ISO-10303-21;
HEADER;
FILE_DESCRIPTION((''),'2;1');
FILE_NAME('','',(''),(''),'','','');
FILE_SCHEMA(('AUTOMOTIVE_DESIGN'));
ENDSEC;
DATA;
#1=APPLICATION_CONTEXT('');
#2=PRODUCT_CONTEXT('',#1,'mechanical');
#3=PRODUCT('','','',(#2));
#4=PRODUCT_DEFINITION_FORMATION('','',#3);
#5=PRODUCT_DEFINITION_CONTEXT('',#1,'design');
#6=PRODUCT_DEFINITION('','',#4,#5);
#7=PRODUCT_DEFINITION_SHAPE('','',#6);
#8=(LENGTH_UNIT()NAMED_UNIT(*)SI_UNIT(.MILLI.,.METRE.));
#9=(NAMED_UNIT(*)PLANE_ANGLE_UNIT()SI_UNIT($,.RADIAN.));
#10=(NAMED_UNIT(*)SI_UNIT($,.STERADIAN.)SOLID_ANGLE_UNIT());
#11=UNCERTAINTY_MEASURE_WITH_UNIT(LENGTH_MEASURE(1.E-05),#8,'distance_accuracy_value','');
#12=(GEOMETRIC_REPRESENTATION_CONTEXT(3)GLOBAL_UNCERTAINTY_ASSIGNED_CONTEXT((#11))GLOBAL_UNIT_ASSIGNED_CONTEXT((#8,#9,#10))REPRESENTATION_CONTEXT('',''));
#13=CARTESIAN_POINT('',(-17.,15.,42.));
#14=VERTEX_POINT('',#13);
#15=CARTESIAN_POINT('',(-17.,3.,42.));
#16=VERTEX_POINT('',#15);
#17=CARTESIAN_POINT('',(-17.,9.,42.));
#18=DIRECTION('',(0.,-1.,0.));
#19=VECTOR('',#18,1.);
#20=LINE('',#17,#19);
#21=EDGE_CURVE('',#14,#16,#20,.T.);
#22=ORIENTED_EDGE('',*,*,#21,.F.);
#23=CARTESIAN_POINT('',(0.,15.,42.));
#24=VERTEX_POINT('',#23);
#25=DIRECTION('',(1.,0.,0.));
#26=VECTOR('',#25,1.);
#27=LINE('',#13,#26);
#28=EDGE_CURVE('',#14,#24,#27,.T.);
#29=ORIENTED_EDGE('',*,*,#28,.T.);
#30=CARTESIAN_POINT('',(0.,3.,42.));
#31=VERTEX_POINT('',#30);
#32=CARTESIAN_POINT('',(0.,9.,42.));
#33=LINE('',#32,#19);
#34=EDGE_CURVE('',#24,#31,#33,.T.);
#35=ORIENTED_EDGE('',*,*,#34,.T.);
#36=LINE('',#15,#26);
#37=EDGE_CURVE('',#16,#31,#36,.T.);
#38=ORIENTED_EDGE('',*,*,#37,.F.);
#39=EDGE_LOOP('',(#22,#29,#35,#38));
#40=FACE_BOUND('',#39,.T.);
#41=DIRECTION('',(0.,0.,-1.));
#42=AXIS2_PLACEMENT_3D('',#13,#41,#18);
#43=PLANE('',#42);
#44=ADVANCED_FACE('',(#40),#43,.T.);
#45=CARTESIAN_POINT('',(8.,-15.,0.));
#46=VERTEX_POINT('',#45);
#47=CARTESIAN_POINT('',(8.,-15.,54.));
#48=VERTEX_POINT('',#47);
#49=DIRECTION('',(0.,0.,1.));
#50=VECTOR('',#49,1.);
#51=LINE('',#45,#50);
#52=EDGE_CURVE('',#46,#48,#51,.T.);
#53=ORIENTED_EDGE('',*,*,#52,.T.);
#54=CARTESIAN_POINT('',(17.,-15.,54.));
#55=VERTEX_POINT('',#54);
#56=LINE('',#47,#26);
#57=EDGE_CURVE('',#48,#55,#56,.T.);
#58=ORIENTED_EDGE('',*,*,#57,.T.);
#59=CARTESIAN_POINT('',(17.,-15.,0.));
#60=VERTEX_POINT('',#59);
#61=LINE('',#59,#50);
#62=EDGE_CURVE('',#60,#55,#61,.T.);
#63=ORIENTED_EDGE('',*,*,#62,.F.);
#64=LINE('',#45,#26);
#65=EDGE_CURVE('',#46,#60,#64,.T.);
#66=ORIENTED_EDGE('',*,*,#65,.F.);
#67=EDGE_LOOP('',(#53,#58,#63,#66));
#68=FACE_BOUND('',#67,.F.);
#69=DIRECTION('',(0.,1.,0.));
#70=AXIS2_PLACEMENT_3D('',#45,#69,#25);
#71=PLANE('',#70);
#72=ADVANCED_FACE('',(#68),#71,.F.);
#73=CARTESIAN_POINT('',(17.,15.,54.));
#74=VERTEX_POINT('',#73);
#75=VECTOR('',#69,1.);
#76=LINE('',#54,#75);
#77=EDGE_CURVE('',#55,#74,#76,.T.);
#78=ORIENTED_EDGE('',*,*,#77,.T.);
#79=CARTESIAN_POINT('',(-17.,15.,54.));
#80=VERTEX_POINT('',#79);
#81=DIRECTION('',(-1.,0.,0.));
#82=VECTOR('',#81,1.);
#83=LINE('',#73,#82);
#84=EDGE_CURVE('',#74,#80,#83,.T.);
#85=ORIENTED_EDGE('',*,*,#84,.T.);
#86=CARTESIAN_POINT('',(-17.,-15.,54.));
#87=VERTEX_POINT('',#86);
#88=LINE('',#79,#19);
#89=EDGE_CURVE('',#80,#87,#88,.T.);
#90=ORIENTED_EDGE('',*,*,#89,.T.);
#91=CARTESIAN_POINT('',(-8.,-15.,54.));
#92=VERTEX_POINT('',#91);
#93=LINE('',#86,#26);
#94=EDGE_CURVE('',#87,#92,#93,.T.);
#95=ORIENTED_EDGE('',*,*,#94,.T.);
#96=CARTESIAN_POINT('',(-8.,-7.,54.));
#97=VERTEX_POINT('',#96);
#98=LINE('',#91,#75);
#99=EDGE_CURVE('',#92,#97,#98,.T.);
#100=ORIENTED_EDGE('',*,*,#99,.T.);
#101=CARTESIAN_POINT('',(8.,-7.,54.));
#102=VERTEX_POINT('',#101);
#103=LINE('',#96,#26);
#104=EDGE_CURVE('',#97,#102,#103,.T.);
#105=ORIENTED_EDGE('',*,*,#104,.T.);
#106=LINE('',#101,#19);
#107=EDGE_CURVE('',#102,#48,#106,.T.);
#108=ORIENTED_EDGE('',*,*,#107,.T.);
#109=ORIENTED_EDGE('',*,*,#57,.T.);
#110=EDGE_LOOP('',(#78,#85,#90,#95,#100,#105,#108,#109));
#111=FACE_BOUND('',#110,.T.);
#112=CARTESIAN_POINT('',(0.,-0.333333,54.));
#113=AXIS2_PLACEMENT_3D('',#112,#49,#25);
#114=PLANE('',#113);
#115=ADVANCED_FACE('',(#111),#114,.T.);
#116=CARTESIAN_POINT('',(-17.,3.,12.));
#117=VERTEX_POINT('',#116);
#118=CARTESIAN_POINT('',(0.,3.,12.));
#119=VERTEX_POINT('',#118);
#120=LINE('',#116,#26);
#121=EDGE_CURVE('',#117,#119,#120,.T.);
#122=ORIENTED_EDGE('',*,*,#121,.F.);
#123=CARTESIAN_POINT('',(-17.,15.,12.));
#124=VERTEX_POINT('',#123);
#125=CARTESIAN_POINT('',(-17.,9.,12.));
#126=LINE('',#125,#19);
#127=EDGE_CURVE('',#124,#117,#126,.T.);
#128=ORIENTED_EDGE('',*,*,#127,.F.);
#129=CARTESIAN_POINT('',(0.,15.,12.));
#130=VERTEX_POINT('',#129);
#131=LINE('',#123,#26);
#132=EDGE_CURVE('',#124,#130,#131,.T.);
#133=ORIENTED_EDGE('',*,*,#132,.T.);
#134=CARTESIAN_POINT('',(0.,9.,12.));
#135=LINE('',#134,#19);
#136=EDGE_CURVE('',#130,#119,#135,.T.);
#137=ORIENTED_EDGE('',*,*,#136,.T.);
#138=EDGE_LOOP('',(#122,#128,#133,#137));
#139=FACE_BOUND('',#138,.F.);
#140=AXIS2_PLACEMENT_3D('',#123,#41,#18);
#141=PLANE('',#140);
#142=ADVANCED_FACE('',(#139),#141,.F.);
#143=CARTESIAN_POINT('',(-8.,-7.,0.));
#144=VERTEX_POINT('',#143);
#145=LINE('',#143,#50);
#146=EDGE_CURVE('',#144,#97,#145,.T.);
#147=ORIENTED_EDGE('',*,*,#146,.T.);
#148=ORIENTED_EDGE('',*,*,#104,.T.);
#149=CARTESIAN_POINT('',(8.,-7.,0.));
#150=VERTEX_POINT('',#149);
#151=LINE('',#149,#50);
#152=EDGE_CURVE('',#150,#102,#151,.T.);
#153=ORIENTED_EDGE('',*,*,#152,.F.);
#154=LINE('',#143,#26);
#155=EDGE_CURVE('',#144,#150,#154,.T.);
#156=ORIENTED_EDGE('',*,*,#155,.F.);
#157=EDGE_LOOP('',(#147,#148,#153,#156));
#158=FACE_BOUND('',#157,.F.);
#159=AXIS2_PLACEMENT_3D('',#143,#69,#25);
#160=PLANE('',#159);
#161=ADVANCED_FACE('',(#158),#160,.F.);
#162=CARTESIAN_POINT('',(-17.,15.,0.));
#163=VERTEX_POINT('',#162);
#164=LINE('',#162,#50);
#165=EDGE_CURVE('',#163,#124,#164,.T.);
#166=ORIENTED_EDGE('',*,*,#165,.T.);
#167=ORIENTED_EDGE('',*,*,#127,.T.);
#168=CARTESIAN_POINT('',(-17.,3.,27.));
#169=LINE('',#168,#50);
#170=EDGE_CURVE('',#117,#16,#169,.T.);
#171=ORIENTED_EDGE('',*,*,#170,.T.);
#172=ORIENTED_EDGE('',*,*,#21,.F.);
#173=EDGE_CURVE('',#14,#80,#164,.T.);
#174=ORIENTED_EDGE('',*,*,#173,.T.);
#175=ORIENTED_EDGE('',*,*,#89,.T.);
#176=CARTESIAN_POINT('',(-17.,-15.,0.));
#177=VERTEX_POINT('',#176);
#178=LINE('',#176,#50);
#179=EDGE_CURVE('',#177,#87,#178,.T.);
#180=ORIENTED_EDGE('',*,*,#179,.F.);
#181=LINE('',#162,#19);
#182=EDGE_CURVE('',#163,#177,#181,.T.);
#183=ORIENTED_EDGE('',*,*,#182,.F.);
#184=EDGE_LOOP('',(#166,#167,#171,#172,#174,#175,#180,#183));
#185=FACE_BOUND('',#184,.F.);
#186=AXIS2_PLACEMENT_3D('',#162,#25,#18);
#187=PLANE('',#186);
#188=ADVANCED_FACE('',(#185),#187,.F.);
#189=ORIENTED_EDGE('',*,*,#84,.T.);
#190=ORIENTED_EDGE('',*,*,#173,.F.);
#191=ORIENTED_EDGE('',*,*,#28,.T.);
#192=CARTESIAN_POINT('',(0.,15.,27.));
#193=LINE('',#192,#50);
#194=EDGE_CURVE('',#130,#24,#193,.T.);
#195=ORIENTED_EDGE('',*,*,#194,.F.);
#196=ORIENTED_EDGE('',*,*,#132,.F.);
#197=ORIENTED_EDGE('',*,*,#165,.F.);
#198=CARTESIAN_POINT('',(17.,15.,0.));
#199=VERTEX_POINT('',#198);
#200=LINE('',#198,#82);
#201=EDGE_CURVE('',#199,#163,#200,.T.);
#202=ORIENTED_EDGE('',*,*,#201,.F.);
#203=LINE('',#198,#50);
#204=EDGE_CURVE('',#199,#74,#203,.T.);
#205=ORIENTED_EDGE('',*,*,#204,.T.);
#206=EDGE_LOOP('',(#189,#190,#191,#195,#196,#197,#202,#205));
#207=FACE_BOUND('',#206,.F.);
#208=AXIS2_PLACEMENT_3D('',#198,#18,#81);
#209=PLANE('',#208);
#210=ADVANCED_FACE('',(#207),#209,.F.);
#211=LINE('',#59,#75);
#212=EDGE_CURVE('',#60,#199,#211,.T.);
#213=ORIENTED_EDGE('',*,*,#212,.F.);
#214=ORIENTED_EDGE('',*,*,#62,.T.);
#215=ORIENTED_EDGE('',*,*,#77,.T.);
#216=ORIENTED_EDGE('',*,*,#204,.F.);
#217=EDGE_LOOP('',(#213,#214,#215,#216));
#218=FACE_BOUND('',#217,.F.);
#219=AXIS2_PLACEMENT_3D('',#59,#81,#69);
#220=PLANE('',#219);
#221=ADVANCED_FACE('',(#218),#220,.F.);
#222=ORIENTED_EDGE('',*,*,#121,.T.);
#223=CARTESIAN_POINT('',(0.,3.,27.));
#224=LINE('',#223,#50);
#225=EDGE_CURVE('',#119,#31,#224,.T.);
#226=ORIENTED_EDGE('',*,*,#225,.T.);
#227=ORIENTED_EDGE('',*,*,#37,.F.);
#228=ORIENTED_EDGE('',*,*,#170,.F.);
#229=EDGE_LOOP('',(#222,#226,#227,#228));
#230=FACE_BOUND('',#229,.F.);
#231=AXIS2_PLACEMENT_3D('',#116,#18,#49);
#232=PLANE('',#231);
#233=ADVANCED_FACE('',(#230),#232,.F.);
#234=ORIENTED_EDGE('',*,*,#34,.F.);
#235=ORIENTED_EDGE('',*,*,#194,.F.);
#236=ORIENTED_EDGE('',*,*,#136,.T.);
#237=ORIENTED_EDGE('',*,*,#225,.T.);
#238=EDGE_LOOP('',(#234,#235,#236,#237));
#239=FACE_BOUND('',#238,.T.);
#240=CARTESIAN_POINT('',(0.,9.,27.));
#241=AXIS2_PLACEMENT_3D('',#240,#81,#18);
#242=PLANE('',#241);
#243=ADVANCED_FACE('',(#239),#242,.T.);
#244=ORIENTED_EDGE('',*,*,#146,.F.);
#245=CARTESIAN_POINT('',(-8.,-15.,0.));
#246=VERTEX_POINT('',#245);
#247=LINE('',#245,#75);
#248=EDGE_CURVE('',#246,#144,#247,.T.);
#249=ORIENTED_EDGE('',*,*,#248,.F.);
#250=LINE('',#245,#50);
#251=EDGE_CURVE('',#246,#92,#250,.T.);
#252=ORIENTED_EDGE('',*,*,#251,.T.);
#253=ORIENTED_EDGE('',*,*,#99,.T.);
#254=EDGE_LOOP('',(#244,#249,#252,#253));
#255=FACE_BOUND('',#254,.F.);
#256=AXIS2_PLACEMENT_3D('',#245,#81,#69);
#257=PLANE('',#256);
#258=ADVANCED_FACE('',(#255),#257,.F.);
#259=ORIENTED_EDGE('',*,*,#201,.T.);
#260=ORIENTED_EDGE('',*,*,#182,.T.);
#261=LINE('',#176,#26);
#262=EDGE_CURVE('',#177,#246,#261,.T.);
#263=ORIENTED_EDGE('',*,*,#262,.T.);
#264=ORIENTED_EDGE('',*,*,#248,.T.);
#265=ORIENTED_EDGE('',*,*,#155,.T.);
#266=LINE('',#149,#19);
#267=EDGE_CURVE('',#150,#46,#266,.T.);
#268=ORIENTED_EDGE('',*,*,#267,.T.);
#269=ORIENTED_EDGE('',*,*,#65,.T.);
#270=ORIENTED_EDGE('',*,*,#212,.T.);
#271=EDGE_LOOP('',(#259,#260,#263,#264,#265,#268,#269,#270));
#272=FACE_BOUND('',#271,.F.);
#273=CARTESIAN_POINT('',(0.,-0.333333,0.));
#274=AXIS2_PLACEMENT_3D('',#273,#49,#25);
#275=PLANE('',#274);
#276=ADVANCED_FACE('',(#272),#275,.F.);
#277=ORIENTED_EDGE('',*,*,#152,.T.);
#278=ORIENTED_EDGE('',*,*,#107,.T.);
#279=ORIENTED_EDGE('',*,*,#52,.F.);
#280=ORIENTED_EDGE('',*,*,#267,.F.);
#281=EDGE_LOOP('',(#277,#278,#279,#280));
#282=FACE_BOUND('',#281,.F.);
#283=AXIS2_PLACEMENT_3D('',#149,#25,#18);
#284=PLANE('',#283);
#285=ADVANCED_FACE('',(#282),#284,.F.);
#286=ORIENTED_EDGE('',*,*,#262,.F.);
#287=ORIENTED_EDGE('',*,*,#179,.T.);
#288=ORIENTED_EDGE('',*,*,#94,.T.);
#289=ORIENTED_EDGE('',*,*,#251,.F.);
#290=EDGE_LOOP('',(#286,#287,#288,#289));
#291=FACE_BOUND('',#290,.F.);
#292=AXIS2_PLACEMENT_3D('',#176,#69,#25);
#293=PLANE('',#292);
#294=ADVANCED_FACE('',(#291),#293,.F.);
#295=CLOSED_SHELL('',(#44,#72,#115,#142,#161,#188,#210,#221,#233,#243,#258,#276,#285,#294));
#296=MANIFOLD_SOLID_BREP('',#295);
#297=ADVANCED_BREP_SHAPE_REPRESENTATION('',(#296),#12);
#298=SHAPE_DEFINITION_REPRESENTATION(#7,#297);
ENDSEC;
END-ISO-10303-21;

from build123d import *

# Parameters (mm, degrees)
F1_DEPTH = 54
F2_W     = 12
F2_H     = 30
F3_DEPTH = 17


with BuildPart() as f1:
    # F0 (on Top) → F1 (new body)
    with BuildSketch(Plane.XY):
        Polygon((17, 15), (-17, 15), (-17, -15), (-8, -15), (-8, -7), (0, -7), (8, -7), (8, -15), (17, -15), align=None)
    extrude(amount=F1_DEPTH)

    # F2 (on face) → F3 (cut)
    with BuildSketch(Plane(origin=(-17, 0, 0), x_dir=(0, -1, 0), z_dir=(-1, 0, 0))):
        with Locations((-9, 27)):
            Rectangle(F2_W, F2_H)
    extrude(amount=-F3_DEPTH, mode=Mode.SUBTRACT)


solid = f1.part
